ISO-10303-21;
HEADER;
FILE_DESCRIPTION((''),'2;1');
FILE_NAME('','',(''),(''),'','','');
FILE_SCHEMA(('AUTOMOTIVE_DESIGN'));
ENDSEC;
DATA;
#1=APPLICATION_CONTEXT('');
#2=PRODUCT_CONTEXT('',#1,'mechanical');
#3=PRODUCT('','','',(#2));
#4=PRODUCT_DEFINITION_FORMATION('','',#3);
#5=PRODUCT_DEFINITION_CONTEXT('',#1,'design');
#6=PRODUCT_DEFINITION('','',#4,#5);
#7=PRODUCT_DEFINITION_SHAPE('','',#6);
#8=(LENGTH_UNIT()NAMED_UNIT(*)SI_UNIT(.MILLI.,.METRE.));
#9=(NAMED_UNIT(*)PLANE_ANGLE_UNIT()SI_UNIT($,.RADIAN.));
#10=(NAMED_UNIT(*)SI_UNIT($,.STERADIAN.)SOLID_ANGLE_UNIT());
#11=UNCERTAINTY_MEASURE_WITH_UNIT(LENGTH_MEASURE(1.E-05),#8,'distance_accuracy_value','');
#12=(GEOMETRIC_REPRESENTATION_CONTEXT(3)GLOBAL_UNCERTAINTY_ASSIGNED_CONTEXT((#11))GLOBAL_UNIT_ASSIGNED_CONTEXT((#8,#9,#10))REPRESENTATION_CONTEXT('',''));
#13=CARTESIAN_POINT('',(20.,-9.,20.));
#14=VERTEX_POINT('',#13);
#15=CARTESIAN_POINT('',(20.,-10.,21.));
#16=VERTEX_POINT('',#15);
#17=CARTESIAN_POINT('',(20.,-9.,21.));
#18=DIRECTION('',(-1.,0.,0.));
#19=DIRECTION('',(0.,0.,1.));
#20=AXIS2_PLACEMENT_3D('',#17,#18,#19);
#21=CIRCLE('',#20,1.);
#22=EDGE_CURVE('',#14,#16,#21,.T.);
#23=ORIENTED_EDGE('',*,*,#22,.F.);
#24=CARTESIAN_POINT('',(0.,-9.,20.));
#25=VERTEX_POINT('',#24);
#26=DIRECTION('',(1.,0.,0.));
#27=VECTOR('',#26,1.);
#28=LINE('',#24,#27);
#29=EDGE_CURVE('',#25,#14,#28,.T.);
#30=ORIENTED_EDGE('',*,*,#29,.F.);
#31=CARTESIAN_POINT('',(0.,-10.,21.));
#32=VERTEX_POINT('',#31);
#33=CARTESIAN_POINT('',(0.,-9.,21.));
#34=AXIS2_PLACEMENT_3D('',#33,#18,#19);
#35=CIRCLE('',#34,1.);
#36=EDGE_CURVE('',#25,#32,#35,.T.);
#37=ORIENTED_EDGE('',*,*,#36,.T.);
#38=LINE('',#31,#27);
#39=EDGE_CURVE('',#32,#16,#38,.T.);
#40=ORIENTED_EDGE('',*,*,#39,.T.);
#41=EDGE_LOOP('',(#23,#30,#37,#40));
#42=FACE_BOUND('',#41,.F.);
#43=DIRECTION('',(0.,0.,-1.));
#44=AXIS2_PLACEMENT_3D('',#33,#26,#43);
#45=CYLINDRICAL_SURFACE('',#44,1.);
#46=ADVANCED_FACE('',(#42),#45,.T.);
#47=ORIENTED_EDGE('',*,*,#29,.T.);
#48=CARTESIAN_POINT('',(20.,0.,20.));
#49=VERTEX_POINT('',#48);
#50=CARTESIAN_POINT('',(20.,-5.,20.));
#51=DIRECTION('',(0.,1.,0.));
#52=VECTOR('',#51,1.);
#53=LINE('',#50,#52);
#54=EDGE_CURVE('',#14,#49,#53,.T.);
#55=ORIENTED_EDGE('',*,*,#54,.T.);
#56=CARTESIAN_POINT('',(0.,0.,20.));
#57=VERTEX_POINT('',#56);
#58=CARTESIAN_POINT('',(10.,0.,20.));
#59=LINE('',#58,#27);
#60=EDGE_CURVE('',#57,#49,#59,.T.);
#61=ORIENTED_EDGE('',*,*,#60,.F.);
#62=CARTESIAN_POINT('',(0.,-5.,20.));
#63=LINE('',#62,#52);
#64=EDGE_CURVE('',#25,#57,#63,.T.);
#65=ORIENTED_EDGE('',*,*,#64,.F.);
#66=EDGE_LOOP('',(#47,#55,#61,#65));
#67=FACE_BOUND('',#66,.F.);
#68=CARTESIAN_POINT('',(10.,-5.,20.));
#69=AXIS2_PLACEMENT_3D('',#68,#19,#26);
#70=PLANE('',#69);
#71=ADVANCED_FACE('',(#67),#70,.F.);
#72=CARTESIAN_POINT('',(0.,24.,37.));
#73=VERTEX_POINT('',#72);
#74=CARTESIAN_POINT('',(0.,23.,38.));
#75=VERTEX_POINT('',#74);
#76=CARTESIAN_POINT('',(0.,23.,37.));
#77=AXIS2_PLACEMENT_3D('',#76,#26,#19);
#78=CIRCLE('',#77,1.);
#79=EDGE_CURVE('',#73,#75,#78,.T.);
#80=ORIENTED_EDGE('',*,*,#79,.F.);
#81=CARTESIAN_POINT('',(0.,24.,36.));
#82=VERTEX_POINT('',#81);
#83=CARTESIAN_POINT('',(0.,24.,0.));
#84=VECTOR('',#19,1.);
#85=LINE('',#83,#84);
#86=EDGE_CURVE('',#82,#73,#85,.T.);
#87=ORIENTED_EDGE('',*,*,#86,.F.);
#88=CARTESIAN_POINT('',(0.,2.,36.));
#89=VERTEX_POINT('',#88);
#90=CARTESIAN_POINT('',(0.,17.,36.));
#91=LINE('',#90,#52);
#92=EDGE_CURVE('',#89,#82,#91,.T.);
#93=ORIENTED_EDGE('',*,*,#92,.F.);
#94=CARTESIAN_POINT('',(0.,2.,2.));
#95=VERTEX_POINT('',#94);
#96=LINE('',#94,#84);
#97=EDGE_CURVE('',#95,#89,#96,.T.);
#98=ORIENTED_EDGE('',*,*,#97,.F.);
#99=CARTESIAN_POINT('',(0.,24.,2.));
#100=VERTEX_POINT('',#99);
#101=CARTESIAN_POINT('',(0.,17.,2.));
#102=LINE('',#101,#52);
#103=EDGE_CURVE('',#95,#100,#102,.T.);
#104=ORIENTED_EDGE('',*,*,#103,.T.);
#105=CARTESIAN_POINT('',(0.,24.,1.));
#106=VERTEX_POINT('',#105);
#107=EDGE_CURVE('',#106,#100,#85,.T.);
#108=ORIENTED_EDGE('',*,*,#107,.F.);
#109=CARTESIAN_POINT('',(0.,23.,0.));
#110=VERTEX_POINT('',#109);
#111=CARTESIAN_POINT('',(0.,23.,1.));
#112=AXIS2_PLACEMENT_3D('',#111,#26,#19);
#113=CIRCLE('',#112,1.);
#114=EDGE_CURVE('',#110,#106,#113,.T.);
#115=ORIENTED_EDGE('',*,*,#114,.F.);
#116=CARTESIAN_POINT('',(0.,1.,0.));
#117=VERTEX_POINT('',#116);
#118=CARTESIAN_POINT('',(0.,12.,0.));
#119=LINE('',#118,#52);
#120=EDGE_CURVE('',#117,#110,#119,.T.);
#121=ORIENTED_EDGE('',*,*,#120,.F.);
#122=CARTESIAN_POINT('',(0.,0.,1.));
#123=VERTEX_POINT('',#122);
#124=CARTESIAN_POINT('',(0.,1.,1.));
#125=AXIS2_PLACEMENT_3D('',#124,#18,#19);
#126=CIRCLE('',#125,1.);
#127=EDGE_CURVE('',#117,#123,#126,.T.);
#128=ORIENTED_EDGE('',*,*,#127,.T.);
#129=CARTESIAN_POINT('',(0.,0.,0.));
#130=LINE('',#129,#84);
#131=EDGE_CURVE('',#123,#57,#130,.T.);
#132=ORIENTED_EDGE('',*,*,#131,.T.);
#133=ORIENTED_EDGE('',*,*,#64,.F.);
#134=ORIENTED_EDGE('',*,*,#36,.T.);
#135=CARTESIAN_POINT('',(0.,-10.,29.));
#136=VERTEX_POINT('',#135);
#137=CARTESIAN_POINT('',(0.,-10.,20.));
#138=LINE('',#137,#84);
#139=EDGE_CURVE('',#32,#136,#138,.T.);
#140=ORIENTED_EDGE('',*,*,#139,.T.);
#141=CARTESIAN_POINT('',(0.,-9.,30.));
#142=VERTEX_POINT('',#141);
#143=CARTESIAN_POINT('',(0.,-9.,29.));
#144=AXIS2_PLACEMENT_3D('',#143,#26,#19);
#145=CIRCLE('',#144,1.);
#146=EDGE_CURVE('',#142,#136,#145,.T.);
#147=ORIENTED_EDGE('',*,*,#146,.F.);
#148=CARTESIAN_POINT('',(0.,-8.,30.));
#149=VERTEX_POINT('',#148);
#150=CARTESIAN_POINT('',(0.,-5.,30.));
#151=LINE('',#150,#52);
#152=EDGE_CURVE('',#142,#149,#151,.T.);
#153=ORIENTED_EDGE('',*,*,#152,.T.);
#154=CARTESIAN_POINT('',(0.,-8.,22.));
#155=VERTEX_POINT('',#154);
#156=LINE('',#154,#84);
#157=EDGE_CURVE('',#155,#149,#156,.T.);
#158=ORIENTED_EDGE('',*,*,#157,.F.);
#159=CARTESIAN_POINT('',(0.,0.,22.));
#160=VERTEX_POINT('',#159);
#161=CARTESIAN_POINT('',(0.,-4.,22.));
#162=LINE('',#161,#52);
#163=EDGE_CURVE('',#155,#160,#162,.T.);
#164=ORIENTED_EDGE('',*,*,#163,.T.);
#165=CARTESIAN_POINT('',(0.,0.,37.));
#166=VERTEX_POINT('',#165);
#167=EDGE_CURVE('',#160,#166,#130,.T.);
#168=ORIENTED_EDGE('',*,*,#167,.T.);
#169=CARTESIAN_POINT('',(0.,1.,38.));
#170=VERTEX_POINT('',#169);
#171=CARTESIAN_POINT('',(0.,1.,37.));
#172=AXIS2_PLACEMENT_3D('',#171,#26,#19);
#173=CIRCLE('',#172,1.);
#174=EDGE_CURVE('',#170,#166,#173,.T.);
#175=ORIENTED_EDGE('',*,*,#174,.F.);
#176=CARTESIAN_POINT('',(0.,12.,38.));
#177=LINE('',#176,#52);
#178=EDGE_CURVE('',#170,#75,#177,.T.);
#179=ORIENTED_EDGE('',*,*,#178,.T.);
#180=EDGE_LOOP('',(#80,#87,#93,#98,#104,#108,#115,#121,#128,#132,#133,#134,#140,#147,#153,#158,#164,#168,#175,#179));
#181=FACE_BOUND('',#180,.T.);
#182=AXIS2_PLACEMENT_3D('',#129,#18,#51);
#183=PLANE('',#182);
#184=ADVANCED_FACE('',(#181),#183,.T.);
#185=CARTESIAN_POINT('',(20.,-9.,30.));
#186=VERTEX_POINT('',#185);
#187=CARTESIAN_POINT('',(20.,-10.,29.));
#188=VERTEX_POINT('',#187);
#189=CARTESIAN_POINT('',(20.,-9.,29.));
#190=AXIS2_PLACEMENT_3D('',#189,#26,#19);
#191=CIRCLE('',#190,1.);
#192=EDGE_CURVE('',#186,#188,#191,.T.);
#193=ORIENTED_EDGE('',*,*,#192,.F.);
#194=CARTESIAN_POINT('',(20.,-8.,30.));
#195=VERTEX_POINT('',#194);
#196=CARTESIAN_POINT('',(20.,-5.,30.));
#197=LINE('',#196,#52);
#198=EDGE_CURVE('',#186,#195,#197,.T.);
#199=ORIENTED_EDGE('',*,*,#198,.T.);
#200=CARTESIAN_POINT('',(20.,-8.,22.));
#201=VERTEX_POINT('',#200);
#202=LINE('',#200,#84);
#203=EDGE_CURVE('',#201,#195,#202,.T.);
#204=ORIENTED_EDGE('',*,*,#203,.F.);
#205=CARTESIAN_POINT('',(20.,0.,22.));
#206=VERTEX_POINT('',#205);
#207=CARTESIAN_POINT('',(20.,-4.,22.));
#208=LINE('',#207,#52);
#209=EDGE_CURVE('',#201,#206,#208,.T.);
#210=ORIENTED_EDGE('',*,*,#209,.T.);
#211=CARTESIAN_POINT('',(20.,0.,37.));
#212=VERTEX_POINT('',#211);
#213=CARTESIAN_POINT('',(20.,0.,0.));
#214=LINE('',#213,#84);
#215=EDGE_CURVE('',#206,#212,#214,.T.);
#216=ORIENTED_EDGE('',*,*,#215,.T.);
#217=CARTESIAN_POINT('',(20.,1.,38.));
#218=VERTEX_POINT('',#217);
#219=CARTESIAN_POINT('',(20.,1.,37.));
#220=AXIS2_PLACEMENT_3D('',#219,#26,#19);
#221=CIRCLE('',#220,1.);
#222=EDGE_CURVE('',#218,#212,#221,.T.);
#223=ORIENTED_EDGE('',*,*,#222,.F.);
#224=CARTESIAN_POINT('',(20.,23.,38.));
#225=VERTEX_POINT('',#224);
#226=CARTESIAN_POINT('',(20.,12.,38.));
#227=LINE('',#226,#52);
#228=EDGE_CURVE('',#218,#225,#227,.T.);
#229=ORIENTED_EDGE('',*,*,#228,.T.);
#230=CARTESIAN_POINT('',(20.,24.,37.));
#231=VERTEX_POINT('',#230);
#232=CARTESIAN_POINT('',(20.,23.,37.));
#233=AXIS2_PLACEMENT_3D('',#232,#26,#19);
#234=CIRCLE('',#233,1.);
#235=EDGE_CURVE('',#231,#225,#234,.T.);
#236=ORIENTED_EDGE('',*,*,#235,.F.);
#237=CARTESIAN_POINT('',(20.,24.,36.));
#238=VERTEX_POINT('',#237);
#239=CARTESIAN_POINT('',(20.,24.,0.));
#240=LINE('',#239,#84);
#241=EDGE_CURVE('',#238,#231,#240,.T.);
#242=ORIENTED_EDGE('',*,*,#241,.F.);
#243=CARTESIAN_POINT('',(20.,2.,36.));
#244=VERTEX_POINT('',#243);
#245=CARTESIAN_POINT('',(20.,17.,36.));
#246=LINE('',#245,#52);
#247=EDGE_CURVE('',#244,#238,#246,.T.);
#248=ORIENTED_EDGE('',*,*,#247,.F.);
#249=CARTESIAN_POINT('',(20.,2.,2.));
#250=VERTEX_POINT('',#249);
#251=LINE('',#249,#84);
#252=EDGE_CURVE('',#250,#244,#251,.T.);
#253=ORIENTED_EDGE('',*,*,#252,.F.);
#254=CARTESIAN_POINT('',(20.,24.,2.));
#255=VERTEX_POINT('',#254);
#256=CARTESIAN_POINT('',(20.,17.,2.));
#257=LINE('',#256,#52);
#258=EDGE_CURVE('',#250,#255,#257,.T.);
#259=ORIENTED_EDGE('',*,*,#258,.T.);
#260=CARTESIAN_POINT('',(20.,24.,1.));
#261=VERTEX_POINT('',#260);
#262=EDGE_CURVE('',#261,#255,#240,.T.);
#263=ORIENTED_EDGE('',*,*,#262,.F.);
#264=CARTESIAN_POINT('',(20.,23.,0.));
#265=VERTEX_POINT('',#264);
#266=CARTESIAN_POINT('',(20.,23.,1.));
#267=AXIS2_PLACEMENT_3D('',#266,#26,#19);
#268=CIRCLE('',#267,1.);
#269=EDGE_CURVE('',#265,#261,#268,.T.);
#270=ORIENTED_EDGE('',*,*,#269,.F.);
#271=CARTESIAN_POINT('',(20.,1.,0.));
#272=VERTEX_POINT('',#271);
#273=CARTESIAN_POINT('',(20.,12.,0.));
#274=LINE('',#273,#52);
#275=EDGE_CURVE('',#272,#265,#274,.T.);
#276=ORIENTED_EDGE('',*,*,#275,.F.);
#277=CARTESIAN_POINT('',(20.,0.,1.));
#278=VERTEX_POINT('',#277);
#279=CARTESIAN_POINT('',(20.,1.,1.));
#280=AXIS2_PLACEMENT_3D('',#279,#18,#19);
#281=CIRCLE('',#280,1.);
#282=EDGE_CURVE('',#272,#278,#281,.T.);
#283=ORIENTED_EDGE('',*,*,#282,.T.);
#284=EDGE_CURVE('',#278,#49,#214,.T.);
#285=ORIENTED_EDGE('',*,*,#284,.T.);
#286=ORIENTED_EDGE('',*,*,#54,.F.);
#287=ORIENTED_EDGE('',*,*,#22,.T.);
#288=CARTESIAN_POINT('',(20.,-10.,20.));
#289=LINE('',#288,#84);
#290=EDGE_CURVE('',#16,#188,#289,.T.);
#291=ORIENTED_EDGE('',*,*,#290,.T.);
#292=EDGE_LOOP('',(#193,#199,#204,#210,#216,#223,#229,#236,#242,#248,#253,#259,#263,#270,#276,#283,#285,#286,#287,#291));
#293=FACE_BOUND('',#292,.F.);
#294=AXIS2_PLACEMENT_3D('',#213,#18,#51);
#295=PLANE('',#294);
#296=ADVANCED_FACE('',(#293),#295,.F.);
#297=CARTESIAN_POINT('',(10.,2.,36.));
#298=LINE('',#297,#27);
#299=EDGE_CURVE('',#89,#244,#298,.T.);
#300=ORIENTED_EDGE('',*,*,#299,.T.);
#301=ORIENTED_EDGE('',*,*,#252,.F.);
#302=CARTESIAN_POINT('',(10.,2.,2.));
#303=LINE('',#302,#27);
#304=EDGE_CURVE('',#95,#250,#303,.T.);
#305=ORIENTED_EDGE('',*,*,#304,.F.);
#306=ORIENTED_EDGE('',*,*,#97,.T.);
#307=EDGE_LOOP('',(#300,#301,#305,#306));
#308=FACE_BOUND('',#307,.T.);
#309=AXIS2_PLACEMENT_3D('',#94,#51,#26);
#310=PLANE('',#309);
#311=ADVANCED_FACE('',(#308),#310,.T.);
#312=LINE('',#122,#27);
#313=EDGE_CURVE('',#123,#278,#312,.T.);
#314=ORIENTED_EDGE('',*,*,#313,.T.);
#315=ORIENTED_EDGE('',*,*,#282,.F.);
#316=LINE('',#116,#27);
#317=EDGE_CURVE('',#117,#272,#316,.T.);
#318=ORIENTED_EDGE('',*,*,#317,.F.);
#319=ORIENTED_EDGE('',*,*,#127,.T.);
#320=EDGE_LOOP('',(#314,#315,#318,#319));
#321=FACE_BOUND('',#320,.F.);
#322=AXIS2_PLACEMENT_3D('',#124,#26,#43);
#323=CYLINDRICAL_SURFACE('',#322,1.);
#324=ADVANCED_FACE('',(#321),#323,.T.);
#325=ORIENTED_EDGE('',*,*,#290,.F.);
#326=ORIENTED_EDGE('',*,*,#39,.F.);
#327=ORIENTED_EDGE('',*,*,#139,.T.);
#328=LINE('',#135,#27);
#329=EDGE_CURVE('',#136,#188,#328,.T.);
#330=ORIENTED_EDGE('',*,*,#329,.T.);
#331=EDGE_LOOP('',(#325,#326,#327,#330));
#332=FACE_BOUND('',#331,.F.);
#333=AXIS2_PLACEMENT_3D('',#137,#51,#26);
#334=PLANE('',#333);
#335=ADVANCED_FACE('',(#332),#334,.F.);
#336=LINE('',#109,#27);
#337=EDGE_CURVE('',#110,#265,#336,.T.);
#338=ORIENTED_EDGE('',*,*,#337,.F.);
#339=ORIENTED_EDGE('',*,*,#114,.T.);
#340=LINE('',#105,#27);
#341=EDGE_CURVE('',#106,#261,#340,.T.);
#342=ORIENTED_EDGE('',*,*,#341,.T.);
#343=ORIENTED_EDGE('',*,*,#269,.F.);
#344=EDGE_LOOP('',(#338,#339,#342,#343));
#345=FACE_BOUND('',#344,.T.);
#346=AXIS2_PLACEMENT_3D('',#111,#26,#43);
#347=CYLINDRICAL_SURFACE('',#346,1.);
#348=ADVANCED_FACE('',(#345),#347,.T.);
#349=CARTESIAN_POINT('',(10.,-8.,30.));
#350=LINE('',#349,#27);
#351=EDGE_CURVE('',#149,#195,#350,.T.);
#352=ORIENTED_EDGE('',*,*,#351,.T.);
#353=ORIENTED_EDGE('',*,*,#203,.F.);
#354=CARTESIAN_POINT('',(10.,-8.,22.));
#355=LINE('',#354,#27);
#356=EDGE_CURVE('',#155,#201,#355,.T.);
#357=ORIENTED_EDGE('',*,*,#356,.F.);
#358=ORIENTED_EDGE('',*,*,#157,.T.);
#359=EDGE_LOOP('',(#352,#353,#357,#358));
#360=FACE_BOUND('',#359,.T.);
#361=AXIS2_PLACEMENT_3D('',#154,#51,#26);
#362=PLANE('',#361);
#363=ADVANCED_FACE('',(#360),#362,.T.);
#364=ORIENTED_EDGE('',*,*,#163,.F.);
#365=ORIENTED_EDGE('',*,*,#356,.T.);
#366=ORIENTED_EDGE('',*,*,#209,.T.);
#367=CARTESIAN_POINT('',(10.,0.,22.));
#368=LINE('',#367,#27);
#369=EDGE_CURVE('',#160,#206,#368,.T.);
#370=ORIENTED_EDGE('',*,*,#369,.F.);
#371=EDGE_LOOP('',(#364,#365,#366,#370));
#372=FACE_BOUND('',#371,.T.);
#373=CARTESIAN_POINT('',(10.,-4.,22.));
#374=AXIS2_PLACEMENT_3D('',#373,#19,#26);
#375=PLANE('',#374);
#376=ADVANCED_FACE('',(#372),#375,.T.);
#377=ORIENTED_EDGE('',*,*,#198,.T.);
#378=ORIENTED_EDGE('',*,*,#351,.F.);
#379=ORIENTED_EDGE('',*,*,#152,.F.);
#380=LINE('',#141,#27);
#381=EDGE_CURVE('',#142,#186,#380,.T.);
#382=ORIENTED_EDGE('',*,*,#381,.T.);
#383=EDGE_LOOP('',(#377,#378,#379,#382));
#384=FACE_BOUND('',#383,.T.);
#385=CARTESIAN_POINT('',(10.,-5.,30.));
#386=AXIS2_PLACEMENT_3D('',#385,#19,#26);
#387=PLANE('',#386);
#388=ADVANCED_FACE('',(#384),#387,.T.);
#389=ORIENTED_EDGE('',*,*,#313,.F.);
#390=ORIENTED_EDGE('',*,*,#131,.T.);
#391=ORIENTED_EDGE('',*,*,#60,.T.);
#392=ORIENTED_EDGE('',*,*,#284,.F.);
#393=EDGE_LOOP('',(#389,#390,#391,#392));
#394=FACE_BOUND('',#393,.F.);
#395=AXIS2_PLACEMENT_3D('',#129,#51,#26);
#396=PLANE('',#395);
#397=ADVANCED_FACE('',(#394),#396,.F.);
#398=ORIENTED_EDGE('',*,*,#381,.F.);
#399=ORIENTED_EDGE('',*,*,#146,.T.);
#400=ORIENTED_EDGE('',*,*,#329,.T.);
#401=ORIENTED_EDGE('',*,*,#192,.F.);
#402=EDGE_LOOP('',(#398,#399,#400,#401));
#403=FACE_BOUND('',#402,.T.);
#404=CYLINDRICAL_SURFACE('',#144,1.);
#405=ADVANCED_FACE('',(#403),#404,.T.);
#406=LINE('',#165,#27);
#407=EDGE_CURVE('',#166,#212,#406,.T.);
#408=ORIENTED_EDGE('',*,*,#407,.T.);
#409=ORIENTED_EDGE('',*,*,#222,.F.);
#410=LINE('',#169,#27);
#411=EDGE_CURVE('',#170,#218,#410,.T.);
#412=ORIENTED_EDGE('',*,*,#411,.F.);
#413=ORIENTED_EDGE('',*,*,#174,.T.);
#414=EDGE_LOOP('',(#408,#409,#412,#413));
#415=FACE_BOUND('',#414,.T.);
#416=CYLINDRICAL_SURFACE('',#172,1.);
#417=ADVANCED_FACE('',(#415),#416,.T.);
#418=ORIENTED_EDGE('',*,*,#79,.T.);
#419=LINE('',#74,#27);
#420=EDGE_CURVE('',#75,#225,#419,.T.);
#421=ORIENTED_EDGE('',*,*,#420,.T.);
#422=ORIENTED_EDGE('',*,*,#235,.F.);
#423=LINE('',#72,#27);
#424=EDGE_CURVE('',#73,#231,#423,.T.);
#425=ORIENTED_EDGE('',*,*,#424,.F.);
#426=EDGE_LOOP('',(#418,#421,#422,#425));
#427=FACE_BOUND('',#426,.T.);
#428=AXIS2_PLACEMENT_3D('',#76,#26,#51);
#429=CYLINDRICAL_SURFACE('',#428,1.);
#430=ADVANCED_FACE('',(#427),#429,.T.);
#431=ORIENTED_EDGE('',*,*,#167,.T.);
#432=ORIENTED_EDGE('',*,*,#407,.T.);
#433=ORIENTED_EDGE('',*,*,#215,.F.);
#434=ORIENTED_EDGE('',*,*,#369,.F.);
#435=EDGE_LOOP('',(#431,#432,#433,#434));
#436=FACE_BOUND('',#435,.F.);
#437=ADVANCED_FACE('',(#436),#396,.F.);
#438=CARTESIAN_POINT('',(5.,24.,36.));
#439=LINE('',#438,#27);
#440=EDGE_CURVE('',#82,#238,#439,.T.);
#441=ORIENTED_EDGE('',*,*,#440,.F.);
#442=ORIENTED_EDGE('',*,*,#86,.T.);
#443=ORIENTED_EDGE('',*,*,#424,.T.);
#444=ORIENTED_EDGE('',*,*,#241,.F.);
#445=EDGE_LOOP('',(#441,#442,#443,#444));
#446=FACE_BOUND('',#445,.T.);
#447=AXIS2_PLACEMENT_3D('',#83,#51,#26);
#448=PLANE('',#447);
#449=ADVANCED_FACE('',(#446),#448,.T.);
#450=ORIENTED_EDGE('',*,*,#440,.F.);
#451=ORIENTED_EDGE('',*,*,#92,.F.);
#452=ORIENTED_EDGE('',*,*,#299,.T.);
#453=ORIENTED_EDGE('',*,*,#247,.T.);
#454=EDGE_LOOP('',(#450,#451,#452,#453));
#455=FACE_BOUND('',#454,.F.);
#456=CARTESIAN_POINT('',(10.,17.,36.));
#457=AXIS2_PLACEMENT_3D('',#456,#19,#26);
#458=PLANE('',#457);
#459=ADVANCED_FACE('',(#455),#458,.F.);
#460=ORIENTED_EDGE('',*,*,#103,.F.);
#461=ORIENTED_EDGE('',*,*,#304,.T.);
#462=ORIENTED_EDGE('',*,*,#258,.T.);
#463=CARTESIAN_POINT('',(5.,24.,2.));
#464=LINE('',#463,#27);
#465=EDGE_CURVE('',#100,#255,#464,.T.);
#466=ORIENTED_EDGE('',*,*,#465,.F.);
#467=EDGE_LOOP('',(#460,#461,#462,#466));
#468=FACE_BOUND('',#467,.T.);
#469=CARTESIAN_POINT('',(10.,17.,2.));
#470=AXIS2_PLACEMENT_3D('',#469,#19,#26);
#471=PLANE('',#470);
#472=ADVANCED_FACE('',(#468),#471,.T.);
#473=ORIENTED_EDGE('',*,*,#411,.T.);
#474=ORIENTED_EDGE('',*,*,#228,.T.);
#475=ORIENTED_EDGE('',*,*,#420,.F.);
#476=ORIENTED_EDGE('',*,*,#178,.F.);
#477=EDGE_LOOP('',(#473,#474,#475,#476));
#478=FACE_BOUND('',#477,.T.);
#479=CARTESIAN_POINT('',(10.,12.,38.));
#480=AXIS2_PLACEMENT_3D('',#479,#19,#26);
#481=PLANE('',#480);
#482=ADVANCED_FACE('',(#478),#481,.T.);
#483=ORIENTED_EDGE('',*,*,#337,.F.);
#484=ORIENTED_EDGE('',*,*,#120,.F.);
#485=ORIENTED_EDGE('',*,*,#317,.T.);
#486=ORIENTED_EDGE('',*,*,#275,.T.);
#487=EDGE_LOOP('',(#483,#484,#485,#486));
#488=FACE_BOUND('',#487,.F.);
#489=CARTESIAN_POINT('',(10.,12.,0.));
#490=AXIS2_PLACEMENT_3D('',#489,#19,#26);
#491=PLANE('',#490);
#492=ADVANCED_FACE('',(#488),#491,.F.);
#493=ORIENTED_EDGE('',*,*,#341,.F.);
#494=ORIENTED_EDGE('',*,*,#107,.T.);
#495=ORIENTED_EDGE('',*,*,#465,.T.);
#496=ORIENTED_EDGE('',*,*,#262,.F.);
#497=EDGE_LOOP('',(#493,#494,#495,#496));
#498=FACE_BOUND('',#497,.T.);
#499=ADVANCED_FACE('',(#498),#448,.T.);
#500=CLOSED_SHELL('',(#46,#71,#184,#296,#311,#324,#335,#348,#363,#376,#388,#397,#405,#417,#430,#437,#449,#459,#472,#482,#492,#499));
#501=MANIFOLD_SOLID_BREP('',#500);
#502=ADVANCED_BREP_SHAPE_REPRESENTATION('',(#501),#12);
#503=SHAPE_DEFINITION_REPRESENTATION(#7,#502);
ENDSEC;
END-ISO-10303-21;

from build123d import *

# Parameters (mm, degrees)
BOX001_W     = 20
BOX001_H     = 30
BOX001_DEPTH = 34
BOX_W        = 20
BOX_H        = 24
BOX_DEPTH    = 38
BOX002_W     = 20
BOX002_H     = 8
BOX002_DEPTH = 8
BOX003_W     = 20
BOX003_H     = 10
BOX003_DEPTH = 10
FILLET_R     = 1


with BuildPart() as cube001:
    # Box001 → Box001 (new body)
    with BuildSketch(Plane(origin=(0, 2, 2), x_dir=(1, 0, 0), z_dir=(0, 0, 1))):
        with Locations((10, 15)):
            Rectangle(BOX001_W, BOX001_H)
    extrude(amount=BOX001_DEPTH)


with BuildPart() as cut:
    # Box → Box (new body)
    with BuildSketch(Plane.XY):
        with Locations((10, 12)):
            Rectangle(BOX_W, BOX_H)
    extrude(amount=BOX_DEPTH)

    # Cut: cut Cube001
    add(cube001.part, mode=Mode.SUBTRACT)


with BuildPart() as cube002:
    # Box002 → Box002 (new body)
    with BuildSketch(Plane(origin=(0, -8, 22), x_dir=(1, 0, 0), z_dir=(0, 0, 1))):
        with Locations((10, 4)):
            Rectangle(BOX002_W, BOX002_H)
    extrude(amount=BOX002_DEPTH)


with BuildPart() as fillet_body:
    # Box003 → Box003 (new body)
    with BuildSketch(Plane(origin=(0, -10, 20), x_dir=(1, 0, 0), z_dir=(0, 0, 1))):
        with Locations((10, 5)):
            Rectangle(BOX003_W, BOX003_H)
    extrude(amount=BOX003_DEPTH)

    # Cut001: cut Cube002
    add(cube002.part, mode=Mode.SUBTRACT)

    # Fusion: union Cut
    add(cut.part)

    # Fillet
    fillet_edges = [fillet_body.edges().sort_by_distance(p)[0] for p in [
        (10, -10, 30),
        (10, -10, 20),
        (10, 0, 0),
        (10, 0, 38),
        (10, 24, 38),
        (10, 24, 0),
    ]]
    fillet(fillet_edges, radius=FILLET_R)


solid = fillet_body.part
